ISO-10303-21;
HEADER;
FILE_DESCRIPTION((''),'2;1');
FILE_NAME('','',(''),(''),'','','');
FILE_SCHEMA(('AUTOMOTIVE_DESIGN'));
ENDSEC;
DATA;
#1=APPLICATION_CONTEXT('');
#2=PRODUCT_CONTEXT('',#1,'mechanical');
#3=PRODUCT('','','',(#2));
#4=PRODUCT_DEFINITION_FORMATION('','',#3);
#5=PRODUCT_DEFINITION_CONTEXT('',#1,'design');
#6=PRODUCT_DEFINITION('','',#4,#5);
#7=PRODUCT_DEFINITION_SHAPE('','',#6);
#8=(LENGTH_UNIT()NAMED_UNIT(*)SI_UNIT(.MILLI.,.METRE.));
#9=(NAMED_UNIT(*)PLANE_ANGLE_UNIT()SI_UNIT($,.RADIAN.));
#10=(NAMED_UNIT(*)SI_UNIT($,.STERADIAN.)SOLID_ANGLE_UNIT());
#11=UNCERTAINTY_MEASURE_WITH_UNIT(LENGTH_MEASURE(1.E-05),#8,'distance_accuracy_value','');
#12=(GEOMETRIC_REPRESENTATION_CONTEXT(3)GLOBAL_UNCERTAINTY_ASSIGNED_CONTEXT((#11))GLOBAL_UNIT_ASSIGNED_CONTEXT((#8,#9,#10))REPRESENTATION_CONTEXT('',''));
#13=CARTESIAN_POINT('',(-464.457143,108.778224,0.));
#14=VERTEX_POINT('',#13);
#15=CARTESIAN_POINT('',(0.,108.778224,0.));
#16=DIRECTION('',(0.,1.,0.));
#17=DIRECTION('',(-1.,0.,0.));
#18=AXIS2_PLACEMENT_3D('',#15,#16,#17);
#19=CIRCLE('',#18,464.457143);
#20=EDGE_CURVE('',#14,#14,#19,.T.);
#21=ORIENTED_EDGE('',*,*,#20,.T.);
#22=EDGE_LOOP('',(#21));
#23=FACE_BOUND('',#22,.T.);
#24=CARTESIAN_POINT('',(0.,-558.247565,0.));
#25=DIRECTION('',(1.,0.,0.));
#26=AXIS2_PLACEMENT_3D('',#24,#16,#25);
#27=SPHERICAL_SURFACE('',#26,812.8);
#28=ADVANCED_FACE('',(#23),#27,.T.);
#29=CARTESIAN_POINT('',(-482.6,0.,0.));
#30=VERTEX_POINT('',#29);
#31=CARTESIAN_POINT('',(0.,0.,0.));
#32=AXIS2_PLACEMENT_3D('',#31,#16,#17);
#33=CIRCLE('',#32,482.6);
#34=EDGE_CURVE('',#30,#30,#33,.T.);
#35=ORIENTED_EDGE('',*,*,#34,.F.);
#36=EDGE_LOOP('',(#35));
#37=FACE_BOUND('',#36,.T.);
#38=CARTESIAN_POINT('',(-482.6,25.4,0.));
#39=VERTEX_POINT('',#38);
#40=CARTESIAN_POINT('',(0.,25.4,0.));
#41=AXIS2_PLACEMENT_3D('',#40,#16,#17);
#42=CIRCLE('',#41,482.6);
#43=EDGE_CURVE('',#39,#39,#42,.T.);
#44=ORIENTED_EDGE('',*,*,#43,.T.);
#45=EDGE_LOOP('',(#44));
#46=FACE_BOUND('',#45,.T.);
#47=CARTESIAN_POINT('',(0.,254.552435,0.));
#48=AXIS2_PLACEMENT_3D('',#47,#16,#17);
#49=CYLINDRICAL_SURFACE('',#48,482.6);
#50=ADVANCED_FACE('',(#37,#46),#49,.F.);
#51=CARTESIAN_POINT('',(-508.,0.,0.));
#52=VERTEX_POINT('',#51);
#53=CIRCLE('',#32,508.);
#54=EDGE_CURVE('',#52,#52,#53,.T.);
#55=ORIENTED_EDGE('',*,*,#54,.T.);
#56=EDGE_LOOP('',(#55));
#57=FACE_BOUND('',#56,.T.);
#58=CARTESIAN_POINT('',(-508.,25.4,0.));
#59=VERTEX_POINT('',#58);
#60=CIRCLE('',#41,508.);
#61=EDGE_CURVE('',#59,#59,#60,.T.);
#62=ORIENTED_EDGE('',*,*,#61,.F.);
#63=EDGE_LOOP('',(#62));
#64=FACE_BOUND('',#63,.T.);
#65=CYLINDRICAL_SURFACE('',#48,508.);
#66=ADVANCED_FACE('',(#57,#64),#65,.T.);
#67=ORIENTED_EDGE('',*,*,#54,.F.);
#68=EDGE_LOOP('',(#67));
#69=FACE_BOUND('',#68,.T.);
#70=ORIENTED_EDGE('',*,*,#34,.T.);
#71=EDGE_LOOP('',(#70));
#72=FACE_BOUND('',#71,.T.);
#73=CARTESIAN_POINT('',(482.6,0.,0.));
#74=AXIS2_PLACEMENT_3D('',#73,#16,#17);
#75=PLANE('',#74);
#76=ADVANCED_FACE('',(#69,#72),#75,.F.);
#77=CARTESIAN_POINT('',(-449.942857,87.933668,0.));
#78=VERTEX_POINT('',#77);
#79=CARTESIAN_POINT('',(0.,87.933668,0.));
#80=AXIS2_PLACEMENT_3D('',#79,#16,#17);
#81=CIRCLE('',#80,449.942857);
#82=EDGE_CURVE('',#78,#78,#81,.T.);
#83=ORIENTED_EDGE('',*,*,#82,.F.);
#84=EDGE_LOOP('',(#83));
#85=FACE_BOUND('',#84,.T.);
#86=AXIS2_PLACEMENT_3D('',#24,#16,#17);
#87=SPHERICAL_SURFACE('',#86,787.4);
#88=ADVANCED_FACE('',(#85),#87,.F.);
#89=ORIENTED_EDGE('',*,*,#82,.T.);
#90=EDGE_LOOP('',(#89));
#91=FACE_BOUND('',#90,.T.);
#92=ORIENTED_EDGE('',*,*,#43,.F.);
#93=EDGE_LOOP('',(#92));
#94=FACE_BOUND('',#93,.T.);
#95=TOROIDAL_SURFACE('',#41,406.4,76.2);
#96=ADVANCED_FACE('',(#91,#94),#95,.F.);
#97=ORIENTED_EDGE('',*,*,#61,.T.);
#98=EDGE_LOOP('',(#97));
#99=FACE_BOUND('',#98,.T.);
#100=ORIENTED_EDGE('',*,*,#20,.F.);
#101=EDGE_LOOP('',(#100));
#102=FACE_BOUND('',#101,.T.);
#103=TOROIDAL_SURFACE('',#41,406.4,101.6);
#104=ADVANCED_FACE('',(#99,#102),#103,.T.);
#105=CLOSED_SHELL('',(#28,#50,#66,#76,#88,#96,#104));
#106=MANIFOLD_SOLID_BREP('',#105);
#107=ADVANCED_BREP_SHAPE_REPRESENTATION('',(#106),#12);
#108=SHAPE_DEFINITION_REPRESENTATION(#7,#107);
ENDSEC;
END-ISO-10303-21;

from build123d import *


with BuildPart() as part:
    # Sketch1 → Revolve1 (revolve)
    with BuildSketch(Plane.XY):
        with BuildLine():
            Line((508, 25.4), (508, 0))
            Line((508, 0), (482.6, 0))
            Line((482.6, 0), (482.6, 25.4))
            ThreePointArc((482.6, 25.4), (473.944080845, 60.673745801), (449.942857143, 87.933667667))
            ThreePointArc((449.942857143, 87.933667667), (235.791918316, 193.018653743), (0, 229.152435112))
            Line((0, 229.152435112), (0, 254.552435112))
            ThreePointArc((0, 254.552435112), (243.398109229, 217.253047893), (464.457142857, 108.778223555))
            ThreePointArc((464.457142857, 108.778223555), (496.458774459, 72.431661068), (508, 25.4))
        make_face()
    revolve(axis=Axis((0, 254.552435112, 0), (0, -1, 0)))


solid = part.part
